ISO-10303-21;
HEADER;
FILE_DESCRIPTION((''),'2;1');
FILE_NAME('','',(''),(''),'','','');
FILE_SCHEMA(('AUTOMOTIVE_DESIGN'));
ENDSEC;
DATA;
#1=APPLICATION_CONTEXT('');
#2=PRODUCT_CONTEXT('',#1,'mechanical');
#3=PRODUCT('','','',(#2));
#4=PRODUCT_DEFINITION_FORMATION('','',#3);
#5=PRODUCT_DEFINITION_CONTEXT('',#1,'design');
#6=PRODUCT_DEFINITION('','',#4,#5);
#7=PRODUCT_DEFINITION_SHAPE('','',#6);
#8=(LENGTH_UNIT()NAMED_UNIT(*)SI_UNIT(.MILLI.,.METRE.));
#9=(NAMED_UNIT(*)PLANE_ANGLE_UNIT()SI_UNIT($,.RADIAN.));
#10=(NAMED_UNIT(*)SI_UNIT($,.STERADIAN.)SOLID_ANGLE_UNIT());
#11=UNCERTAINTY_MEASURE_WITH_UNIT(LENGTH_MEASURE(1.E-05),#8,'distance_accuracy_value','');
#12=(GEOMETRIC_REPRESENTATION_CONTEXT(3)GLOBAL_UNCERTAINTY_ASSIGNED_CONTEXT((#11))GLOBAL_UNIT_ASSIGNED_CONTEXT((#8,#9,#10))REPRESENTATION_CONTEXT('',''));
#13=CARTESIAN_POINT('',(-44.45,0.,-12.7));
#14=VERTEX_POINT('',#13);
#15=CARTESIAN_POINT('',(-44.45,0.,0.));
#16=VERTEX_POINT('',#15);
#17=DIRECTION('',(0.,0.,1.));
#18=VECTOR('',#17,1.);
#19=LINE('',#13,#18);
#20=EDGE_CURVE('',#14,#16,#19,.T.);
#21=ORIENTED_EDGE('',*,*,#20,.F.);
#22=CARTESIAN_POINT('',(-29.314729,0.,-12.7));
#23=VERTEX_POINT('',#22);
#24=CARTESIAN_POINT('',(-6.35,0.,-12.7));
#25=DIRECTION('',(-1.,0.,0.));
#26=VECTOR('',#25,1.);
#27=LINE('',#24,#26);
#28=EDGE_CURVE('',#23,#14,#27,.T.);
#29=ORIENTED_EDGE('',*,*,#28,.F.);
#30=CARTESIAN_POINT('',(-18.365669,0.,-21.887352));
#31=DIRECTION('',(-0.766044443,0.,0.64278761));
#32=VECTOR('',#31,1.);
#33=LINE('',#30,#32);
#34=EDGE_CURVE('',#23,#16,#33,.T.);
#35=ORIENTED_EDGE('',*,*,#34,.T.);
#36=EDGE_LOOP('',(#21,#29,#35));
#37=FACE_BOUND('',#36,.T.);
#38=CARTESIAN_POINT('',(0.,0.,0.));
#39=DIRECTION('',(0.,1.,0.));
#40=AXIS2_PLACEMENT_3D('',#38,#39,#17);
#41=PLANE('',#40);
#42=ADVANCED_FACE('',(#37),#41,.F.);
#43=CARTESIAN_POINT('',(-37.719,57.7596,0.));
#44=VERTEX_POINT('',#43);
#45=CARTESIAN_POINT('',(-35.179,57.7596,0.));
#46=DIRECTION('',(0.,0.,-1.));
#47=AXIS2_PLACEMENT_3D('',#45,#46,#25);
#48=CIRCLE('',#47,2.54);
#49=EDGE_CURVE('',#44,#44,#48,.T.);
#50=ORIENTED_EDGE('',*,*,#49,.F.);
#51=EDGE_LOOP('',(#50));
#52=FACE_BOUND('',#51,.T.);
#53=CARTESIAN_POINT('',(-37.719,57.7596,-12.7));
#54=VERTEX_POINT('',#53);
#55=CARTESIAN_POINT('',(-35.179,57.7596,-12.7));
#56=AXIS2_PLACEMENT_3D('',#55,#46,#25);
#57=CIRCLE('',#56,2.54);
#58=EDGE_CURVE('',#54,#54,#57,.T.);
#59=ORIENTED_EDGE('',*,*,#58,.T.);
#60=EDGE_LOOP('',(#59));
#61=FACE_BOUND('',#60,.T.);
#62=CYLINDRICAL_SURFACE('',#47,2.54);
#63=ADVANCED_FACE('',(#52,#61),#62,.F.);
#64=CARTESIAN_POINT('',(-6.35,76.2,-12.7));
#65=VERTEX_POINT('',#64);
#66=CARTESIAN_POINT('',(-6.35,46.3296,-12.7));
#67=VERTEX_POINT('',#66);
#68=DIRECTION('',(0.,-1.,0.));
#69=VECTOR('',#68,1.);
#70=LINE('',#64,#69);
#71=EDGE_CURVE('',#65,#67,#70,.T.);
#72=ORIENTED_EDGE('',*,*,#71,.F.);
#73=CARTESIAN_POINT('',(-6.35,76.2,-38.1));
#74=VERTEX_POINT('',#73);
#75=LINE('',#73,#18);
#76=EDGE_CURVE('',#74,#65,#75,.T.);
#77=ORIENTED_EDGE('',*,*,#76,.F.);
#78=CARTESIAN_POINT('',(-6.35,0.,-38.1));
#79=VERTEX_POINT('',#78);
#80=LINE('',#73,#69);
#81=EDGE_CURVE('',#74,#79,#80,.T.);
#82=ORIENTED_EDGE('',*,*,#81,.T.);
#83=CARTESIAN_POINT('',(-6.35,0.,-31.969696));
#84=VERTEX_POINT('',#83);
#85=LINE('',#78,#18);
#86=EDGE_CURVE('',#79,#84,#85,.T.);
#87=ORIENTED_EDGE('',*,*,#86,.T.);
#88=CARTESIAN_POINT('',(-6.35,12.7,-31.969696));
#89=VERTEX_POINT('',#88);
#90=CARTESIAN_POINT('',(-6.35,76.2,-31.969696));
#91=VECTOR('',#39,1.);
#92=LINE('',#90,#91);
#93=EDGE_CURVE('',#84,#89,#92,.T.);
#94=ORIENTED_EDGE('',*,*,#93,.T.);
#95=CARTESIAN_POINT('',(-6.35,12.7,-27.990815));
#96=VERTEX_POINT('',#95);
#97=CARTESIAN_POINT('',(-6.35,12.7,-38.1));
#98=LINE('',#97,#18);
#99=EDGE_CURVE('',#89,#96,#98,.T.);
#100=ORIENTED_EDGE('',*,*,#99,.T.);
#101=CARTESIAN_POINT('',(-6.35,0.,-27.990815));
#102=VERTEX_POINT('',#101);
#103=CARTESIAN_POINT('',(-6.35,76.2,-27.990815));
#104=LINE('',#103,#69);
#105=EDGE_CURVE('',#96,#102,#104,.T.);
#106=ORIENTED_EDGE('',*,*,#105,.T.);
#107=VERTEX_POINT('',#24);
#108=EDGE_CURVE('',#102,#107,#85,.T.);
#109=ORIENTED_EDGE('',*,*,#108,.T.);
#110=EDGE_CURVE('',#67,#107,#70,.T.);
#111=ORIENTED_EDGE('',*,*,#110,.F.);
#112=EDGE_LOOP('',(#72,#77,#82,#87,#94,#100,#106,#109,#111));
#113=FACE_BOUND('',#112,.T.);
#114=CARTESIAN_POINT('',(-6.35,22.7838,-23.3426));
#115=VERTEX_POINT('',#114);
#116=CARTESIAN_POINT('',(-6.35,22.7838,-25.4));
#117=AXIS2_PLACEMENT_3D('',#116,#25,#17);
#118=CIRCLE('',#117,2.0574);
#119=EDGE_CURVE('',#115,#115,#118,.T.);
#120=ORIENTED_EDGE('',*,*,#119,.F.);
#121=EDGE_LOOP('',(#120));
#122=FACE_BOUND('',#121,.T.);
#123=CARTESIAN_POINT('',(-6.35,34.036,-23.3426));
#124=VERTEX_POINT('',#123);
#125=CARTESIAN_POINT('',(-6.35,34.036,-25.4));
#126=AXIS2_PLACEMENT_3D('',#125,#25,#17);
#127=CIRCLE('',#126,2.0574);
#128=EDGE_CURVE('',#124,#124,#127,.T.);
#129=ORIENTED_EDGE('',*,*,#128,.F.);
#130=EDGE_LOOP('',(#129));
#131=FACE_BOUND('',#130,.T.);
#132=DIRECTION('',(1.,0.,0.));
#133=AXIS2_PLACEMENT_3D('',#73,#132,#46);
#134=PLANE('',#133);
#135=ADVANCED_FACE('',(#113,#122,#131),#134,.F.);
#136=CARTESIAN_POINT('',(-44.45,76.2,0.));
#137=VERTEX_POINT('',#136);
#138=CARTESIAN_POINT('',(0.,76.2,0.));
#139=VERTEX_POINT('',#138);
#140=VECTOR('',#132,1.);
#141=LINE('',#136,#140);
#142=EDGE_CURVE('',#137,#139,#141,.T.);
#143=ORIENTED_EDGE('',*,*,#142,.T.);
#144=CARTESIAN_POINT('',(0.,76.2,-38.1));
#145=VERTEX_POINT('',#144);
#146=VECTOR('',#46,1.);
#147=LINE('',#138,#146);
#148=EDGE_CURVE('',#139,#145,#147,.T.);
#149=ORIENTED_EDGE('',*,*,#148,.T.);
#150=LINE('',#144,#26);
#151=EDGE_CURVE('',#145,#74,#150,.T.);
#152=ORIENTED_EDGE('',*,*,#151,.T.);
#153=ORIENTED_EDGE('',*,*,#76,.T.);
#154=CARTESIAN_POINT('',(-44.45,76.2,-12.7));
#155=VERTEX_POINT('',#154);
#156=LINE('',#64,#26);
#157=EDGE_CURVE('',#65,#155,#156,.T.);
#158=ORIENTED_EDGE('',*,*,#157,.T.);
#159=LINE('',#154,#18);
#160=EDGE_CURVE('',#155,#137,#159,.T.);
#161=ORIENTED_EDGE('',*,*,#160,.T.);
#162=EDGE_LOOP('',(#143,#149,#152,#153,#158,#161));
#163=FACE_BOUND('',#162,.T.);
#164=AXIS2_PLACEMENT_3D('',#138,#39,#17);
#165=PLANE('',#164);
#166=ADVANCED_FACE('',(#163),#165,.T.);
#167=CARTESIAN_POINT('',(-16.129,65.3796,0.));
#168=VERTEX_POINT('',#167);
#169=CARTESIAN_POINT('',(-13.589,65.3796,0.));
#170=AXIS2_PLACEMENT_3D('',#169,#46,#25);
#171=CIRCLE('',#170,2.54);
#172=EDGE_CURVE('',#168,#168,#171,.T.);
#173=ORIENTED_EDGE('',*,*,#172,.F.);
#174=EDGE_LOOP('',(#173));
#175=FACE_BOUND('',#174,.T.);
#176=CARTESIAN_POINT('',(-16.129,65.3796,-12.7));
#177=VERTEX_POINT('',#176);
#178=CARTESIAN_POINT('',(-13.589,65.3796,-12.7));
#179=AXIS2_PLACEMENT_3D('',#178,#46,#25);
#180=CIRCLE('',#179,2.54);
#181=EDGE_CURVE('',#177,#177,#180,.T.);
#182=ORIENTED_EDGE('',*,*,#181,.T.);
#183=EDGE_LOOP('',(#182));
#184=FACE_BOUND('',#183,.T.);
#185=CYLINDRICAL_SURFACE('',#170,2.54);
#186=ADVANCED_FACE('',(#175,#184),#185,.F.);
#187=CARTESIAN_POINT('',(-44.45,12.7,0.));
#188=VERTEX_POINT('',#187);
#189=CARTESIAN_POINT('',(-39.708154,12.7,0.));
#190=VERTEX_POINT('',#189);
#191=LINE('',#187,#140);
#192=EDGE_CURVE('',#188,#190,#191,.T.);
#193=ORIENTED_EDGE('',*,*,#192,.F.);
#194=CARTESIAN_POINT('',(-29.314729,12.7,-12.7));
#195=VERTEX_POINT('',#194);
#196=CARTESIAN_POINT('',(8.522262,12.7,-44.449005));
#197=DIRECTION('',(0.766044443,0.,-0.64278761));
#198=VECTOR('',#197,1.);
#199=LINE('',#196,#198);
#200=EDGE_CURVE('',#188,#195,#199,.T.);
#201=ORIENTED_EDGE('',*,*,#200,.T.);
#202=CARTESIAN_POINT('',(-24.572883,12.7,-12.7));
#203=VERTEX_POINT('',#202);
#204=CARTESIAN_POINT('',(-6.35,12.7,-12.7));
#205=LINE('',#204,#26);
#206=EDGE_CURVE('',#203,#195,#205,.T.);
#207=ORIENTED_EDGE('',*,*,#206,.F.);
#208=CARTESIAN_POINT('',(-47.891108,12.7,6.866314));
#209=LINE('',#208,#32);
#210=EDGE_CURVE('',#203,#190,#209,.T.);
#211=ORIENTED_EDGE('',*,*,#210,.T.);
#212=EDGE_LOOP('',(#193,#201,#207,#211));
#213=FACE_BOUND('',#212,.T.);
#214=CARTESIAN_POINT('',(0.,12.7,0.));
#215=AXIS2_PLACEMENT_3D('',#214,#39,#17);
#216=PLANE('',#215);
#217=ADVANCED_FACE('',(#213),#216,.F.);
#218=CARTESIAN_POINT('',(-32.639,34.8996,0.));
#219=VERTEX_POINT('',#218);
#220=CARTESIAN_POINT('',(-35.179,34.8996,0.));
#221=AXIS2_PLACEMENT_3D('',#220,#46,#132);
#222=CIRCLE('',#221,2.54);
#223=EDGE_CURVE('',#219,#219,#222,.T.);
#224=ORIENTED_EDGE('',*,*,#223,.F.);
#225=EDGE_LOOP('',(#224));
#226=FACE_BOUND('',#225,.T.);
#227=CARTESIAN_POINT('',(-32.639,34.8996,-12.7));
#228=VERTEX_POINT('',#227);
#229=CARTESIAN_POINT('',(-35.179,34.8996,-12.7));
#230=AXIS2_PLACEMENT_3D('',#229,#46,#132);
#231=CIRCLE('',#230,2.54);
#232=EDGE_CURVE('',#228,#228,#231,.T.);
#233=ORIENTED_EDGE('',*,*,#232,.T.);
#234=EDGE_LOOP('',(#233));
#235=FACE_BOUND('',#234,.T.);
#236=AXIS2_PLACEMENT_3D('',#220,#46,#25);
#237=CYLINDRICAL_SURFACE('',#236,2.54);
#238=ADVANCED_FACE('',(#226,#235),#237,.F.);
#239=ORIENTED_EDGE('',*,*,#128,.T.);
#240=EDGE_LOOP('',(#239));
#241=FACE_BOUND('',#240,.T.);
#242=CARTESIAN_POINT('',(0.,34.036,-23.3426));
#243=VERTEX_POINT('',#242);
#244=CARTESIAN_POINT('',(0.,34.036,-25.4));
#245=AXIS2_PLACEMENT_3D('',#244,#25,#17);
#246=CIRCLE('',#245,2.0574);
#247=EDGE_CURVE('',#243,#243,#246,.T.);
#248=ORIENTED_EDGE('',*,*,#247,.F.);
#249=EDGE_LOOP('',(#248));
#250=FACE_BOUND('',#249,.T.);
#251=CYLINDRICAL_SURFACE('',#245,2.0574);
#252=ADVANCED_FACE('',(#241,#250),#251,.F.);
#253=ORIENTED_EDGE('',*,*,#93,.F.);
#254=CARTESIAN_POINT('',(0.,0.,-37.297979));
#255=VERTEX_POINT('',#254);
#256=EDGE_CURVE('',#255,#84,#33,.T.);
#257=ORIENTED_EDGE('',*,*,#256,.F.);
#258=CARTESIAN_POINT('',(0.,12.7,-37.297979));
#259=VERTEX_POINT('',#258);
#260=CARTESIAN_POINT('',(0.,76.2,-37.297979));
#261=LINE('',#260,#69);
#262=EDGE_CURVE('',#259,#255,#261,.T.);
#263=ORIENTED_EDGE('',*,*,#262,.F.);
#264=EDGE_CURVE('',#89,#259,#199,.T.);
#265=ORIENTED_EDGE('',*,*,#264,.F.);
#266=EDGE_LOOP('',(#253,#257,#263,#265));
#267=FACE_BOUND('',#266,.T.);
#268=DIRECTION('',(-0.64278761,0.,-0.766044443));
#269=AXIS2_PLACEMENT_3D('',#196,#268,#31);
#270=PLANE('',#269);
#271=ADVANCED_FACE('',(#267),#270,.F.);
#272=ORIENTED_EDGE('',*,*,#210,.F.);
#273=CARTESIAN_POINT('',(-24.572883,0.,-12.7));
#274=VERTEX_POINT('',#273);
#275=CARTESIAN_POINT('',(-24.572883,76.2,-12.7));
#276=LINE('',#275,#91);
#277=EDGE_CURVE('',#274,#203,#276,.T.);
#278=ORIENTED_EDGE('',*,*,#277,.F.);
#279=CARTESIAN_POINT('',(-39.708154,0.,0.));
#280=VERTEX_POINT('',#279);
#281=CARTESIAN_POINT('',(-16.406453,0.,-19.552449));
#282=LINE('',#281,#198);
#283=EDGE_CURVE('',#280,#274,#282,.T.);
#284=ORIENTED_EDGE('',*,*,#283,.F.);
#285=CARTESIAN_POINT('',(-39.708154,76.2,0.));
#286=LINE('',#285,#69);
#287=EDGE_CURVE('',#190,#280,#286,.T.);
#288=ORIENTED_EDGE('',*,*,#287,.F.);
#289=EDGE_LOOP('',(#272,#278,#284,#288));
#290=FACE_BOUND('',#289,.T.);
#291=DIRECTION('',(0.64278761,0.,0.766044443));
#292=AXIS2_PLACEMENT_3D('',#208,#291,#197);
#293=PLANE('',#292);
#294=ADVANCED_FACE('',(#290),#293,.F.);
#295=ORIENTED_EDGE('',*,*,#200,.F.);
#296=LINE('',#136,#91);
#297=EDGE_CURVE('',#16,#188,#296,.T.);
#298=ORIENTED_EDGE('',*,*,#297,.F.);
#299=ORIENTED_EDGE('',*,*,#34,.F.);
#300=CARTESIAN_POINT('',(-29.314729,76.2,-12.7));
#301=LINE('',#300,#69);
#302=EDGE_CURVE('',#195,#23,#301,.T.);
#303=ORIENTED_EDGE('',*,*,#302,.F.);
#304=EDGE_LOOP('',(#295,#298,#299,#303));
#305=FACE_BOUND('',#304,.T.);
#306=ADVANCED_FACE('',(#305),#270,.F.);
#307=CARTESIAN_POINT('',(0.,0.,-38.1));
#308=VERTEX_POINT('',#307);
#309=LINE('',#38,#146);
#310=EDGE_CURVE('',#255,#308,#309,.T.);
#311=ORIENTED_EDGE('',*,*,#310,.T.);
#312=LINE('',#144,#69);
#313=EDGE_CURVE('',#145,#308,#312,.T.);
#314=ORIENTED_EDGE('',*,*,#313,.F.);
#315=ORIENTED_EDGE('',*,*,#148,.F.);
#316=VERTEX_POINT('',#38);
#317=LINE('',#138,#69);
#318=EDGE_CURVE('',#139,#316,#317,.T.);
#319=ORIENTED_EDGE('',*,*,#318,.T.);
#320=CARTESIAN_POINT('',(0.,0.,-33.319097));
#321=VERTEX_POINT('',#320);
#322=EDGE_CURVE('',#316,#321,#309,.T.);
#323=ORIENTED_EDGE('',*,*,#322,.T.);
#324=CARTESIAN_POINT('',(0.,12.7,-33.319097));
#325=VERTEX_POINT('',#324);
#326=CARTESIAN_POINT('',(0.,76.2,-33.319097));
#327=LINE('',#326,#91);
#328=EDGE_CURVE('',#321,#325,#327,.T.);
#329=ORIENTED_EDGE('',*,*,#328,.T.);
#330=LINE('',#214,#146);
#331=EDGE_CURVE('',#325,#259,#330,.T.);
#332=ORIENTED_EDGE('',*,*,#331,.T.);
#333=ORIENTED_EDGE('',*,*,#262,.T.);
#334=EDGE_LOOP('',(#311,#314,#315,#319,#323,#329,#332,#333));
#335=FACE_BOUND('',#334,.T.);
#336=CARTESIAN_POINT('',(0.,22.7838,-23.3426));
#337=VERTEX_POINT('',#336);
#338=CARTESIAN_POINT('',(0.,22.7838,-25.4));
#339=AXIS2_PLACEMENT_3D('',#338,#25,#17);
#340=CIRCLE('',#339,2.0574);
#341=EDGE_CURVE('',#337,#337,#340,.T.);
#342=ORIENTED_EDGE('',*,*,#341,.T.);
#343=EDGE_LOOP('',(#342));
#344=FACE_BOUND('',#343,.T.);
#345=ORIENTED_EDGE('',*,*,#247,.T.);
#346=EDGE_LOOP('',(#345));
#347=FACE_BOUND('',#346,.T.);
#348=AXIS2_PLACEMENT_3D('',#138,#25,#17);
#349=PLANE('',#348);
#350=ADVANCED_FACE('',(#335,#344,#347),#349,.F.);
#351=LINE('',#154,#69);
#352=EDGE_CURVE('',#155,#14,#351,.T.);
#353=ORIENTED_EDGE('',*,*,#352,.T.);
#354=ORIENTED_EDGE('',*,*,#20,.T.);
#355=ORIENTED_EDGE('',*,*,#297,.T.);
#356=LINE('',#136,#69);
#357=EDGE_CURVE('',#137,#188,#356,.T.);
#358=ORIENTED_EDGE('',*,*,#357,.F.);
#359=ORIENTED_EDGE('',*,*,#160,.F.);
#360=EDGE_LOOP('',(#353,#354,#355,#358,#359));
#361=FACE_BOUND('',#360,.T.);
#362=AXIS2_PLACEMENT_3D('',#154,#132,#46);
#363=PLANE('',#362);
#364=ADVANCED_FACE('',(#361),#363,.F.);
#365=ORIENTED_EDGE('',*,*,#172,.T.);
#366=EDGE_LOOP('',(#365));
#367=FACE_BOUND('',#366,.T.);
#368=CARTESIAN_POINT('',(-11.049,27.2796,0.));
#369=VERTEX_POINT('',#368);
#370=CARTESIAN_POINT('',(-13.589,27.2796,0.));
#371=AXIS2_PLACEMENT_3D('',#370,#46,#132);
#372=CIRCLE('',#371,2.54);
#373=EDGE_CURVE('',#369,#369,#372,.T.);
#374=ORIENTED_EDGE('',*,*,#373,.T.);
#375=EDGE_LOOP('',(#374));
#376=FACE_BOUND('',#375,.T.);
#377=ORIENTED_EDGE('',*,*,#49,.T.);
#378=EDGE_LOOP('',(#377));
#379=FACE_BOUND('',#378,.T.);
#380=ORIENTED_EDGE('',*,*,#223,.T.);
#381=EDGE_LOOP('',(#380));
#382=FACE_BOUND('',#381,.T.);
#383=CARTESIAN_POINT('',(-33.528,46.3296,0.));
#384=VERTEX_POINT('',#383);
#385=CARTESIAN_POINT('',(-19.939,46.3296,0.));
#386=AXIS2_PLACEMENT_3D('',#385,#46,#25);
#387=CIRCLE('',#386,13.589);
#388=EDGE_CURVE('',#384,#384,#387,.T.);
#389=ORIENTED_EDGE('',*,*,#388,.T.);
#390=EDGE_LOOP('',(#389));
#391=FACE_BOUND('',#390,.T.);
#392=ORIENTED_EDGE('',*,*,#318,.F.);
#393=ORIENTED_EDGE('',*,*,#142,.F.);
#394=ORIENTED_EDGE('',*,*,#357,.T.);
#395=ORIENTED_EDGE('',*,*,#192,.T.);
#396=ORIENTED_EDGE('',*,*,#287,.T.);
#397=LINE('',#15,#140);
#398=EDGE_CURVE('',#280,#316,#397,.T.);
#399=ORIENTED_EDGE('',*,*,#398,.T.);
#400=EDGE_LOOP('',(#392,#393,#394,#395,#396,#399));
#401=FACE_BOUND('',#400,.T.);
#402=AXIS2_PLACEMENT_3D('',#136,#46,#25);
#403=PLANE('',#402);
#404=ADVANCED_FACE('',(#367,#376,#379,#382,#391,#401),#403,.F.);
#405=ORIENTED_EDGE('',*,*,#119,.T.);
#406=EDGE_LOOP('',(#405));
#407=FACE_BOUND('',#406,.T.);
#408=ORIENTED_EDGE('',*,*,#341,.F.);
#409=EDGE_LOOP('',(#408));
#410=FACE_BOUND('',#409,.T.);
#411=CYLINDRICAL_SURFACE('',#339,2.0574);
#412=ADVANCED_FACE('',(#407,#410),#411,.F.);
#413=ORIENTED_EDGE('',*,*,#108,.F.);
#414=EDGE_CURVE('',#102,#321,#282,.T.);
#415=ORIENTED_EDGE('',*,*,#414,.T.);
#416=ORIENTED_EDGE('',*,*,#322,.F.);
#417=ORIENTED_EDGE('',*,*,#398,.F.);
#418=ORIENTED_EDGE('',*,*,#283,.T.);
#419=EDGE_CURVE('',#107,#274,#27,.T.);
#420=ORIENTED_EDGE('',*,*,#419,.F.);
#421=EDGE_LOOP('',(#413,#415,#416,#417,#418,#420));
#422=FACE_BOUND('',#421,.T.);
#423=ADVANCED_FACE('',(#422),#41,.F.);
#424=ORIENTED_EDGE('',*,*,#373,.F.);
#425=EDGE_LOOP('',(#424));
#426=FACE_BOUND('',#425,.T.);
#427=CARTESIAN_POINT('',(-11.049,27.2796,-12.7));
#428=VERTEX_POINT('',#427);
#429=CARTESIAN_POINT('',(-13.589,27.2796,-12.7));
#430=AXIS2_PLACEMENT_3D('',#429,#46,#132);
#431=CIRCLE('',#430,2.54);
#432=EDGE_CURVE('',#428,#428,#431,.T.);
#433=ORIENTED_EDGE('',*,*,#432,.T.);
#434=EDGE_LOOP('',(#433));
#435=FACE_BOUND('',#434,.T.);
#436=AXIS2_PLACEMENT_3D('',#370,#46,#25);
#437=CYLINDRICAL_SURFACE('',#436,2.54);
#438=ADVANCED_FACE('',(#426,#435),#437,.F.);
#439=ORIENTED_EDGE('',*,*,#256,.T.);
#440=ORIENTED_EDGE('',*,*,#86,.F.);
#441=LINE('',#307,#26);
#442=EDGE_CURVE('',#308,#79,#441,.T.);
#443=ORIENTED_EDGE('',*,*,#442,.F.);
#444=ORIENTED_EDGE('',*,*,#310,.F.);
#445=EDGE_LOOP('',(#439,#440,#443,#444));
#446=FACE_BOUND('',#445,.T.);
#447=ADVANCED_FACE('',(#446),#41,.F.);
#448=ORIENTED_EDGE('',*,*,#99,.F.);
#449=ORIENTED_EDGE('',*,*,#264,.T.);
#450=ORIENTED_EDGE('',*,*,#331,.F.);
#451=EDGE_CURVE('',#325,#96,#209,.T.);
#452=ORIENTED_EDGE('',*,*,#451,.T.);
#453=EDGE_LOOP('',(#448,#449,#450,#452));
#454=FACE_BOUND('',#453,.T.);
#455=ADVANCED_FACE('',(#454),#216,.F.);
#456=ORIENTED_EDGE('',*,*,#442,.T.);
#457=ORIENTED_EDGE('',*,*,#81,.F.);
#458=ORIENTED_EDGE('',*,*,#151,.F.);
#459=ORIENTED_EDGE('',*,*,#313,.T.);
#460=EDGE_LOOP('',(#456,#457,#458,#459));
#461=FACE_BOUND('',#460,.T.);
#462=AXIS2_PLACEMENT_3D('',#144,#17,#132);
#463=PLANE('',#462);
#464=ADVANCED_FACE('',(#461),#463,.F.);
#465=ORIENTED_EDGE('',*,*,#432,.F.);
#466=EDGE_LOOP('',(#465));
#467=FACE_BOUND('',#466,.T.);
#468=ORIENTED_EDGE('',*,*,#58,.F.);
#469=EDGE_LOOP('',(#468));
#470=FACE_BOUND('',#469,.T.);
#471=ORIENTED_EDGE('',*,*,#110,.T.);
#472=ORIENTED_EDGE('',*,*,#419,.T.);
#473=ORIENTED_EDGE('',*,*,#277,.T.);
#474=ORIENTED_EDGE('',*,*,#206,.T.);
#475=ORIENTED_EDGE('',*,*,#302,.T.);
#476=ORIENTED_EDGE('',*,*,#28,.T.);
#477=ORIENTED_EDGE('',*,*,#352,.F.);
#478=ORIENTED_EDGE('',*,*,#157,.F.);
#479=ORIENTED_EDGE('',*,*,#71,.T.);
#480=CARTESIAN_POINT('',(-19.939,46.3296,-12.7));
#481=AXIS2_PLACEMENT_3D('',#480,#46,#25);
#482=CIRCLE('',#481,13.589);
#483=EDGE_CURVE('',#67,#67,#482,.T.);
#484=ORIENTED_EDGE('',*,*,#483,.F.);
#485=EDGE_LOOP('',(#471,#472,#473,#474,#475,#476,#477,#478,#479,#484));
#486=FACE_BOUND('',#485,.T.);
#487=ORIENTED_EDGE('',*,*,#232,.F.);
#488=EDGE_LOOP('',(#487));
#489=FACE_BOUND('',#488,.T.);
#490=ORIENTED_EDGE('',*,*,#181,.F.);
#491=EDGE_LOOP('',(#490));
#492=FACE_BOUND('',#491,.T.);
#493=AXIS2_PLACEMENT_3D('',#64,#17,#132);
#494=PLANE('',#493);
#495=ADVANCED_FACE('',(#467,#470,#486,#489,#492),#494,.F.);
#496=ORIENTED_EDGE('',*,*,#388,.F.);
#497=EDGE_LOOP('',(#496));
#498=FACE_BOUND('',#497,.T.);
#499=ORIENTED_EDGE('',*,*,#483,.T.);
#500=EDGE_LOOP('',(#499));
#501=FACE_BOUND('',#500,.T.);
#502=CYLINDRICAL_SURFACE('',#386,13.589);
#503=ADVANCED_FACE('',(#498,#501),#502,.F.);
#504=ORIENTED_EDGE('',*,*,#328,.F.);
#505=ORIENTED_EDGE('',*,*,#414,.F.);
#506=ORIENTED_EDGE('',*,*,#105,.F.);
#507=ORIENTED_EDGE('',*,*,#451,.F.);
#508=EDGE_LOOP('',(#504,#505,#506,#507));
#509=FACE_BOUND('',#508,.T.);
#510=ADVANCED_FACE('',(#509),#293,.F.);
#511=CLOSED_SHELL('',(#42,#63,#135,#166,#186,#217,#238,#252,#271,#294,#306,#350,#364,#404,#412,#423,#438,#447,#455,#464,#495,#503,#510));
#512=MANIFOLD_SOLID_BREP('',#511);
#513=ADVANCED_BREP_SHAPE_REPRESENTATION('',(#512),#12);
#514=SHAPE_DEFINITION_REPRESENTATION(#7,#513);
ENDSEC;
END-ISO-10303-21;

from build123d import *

# Parameters (mm, degrees)
BOSS_EXTRUDE1_DEPTH = 76.2
SKETCH4_R           = 2.0574
CUT_EXTRUDE3_DEPTH  = 7.35
SKETCH3_R           = 13.589
SKETCH3_R_2         = 2.54
CUT_EXTRUDE2_DEPTH  = 13.7
CUT_EXTRUDE4_DEPTH  = 12.7


with BuildPart() as part:
    # Sketch1 → Boss-Extrude1 (new body)
    with BuildSketch(Plane(origin=(0, 0, 0), x_dir=(1, 0, 0), z_dir=(0, 1, 0))):
        Polygon((-44.45, 12.7), (-44.45, 0), (0, 0), (0, 38.1), (-6.35, 38.1), (-6.35, 12.7), align=None)
    extrude(amount=BOSS_EXTRUDE1_DEPTH)

    # Sketch4 → Cut-Extrude3 (cut, through all)
    with BuildSketch(Plane.ZY.offset(6.35)):
        with Locations((-25.4, 22.7838)):
            Circle(SKETCH4_R)
        with Locations((-25.4, 34.036)):
            Circle(SKETCH4_R)
    extrude(amount=-CUT_EXTRUDE3_DEPTH, mode=Mode.SUBTRACT)

    # Sketch3 → Cut-Extrude2 (cut, through all)
    with BuildSketch(Plane(origin=(0, 0, -12.7), x_dir=(-1, 0, 0), z_dir=(0, 0, -1))):
        with Locations((19.939, 46.3296)):
            Circle(SKETCH3_R)
        with Locations((35.179, 57.7596)):
            Circle(SKETCH3_R_2)
        with Locations((13.589, 65.3796)):
            Circle(SKETCH3_R_2)
        with Locations((13.589, 27.2796)):
            Circle(SKETCH3_R_2)
        with Locations((35.179, 34.8996)):
            Circle(SKETCH3_R_2)
    extrude(amount=-CUT_EXTRUDE2_DEPTH, mode=Mode.SUBTRACT)

    # Sketch6 → Cut-Extrude4 (cut)
    with BuildSketch(Plane.XZ):
        Polygon((-47.891108231, 6.866314065), (10.481478335, -42.114101793), (8.522261701, -44.449005256), (-49.850324865, 4.531410602), align=None)
    extrude(amount=-CUT_EXTRUDE4_DEPTH, mode=Mode.SUBTRACT)


solid = part.part
